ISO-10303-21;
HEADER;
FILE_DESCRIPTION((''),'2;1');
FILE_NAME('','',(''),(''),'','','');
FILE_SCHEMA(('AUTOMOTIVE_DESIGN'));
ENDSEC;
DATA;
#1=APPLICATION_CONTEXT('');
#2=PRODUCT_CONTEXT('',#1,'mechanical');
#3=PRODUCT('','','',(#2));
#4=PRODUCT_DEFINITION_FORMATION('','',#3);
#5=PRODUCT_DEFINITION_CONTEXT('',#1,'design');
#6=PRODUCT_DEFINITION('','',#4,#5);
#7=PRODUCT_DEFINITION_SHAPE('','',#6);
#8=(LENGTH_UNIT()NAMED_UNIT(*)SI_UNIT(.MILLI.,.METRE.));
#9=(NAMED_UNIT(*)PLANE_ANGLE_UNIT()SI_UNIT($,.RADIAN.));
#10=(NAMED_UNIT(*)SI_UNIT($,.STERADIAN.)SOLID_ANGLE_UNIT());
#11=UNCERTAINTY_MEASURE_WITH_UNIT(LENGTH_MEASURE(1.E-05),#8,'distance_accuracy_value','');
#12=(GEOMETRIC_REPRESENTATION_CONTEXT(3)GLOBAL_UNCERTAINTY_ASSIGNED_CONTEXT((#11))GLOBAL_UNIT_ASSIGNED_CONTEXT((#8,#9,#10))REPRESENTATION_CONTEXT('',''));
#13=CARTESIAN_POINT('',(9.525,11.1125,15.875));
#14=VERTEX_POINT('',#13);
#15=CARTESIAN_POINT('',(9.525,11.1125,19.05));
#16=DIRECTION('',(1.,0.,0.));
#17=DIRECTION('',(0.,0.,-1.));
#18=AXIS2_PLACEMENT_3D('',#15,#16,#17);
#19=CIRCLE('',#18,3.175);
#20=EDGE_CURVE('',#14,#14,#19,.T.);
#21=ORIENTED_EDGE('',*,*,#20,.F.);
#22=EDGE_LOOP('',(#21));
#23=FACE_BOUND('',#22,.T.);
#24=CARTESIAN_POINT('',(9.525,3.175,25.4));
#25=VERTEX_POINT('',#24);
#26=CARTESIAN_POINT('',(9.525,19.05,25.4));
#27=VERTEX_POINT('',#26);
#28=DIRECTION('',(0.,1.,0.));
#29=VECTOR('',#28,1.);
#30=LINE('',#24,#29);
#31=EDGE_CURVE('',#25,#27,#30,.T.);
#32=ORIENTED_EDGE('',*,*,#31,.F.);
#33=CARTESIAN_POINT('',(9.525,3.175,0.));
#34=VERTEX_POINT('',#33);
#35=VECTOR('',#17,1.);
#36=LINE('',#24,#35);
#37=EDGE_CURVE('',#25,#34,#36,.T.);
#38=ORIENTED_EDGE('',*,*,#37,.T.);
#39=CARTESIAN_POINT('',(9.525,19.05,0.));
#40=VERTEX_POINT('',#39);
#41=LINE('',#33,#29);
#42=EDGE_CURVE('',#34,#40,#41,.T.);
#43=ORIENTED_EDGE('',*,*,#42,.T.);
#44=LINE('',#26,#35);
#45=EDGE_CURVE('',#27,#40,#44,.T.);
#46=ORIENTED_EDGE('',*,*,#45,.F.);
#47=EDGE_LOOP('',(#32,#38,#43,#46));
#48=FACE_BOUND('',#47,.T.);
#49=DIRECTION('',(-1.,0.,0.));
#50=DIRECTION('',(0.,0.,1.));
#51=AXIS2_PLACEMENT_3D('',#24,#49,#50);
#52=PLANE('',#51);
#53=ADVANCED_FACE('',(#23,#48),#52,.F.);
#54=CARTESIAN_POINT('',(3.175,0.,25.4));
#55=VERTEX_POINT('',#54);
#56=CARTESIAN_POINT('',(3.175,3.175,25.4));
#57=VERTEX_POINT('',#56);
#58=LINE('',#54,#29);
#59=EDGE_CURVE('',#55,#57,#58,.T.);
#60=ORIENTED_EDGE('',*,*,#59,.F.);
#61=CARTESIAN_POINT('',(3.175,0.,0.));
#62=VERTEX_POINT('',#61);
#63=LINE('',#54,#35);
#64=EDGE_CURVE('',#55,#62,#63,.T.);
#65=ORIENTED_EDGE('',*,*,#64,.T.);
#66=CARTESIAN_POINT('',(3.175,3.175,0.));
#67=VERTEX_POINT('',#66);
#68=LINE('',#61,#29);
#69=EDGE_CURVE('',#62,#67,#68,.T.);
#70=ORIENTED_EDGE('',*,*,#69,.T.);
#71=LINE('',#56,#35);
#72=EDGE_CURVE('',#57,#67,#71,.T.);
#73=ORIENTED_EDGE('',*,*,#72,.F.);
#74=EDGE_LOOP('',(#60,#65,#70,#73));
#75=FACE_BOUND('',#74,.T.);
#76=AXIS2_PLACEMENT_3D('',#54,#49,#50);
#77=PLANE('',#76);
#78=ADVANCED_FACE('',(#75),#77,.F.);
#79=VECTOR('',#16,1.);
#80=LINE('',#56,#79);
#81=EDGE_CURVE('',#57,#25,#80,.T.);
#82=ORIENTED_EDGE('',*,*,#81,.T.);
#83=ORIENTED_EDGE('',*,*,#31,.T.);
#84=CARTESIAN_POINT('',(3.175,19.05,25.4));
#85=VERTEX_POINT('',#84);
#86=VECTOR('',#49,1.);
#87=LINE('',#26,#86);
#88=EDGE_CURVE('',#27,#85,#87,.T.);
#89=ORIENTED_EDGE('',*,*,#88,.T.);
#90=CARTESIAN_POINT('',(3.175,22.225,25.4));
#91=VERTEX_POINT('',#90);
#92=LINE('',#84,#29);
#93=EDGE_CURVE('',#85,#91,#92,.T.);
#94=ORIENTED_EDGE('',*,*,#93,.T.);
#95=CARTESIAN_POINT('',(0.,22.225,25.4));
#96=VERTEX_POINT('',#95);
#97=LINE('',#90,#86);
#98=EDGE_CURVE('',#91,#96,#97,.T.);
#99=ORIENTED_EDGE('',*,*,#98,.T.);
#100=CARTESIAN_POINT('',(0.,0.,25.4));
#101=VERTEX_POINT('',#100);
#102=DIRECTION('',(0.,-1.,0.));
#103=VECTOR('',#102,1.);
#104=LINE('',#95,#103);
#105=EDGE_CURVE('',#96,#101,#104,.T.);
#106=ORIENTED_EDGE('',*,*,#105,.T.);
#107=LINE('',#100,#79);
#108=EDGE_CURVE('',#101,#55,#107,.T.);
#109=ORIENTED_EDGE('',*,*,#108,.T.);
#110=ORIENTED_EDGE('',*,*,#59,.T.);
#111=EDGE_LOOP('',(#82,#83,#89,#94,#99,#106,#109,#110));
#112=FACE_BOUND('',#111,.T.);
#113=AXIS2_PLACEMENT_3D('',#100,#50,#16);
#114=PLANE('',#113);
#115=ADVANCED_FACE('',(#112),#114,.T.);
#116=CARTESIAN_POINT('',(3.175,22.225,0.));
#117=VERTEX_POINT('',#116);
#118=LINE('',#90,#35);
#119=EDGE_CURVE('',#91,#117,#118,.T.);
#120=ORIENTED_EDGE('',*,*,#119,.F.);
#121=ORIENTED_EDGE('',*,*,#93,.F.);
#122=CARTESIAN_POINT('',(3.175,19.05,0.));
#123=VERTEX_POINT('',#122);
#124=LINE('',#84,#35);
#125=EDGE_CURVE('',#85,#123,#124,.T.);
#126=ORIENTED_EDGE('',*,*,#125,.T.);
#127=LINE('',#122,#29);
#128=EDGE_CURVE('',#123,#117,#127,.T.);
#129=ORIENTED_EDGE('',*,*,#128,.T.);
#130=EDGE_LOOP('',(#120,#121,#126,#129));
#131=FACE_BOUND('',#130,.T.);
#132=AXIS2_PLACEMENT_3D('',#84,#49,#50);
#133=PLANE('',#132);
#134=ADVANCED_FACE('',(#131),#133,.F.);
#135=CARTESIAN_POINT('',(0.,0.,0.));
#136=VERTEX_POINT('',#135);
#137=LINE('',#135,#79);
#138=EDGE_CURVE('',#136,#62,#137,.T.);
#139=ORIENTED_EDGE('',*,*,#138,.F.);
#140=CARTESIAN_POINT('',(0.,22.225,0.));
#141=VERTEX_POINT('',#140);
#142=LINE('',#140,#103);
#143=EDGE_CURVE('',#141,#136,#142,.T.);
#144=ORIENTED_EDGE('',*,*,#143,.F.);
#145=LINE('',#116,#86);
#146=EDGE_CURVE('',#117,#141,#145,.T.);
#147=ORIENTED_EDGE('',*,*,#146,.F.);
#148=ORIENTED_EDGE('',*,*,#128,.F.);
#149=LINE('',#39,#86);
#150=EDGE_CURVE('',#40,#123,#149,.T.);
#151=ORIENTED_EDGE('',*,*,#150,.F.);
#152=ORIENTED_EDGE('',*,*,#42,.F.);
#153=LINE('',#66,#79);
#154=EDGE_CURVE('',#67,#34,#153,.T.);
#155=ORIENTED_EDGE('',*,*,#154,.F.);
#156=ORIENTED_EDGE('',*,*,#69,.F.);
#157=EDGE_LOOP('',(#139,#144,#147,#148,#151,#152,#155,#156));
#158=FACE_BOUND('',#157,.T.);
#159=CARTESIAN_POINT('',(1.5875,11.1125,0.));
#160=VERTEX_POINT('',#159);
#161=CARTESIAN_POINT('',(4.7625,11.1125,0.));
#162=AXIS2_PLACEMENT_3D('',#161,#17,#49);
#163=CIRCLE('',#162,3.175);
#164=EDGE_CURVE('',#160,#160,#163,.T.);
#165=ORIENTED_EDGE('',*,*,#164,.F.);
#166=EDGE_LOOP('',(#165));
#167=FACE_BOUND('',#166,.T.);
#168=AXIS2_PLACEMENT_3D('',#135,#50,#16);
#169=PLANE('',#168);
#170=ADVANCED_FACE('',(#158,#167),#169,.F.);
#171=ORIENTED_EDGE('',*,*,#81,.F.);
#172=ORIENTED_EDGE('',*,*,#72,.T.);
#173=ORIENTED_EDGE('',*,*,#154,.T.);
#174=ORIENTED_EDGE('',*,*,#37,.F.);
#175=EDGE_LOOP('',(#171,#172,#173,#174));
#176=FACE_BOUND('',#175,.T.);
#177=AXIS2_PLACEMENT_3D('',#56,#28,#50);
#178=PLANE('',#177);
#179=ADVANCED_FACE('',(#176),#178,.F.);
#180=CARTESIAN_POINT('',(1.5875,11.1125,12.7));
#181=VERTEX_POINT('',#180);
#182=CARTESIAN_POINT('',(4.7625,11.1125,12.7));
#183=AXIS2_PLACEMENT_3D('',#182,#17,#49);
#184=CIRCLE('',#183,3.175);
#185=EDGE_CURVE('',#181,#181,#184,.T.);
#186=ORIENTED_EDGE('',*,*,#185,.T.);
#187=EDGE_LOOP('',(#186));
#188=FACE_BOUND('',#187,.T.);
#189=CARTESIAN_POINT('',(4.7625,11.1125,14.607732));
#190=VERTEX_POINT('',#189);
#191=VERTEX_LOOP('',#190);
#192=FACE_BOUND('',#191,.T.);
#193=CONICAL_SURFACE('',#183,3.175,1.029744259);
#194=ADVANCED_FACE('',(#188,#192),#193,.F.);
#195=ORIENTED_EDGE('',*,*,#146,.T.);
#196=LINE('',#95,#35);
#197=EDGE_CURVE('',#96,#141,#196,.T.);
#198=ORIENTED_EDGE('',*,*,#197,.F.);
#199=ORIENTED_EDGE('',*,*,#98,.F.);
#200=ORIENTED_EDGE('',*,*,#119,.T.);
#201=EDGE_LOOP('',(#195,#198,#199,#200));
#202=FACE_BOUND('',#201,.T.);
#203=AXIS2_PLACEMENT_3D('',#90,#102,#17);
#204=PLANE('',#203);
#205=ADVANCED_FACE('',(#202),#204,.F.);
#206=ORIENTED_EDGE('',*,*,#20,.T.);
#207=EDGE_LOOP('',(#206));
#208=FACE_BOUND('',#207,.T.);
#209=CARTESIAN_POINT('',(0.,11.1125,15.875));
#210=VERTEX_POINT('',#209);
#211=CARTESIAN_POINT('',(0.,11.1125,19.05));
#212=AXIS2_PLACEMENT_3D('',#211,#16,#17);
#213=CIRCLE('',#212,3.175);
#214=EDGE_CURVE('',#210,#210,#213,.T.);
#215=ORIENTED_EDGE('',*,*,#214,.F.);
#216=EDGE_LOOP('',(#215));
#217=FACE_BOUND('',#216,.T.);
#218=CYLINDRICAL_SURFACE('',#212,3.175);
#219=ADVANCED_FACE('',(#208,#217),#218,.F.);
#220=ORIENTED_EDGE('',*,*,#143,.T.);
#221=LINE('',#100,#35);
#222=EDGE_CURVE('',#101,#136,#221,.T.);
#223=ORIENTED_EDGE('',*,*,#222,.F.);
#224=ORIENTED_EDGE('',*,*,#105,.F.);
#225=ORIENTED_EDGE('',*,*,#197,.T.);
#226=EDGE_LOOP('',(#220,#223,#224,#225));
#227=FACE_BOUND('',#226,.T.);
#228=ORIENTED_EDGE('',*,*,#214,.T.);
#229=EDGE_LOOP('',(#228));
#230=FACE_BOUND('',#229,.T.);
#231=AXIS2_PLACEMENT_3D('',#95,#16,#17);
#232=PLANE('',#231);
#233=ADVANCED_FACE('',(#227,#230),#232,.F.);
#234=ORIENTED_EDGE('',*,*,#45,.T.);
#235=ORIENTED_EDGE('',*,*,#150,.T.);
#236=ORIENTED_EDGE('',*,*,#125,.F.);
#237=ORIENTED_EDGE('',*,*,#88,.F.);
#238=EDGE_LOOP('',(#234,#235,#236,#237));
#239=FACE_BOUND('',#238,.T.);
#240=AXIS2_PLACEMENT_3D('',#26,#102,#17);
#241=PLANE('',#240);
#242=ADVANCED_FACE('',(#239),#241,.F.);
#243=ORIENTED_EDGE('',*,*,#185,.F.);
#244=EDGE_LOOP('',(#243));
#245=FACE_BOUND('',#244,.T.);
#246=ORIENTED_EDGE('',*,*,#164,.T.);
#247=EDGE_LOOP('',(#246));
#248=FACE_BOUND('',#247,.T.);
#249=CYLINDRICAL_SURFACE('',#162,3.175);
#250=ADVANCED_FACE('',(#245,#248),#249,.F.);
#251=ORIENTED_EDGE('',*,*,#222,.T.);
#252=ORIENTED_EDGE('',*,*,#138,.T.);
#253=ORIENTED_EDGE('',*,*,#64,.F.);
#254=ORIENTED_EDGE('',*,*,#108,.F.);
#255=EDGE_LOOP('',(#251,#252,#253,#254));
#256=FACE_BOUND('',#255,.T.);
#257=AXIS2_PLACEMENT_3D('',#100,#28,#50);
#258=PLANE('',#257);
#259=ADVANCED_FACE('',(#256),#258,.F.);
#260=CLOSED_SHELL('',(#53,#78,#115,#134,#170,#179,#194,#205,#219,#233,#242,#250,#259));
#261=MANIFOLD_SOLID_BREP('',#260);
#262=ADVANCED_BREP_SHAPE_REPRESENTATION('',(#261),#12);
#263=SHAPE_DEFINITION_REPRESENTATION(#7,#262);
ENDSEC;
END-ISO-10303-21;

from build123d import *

# Parameters (mm, degrees)
BOSS_EXTRUDE1_DEPTH             = 25.4
SKETCH3_R                       = 3.175
CUT_EXTRUDE1_DEPTH              = 36.06902123
F_1_4_0_25_DIAMETER_HOLE1_D     = 6.35
F_1_4_0_25_DIAMETER_HOLE1_DEPTH = 12.7
F_1_4_0_25_DIAMETER_HOLE1_TIP   = 1.907732465


with BuildPart() as part:
    # Sketch1 → Boss-Extrude1 (new body)
    with BuildSketch(Plane.XY):
        Polygon((0, 0), (3.175, 0), (3.175, 3.175), (9.525, 3.175), (9.525, 19.05), (3.175, 19.05), (3.175, 22.225), (0, 22.225), align=None)
    extrude(amount=BOSS_EXTRUDE1_DEPTH)

    # Sketch3 → Cut-Extrude1 (cut, through all)
    with BuildSketch(Plane(origin=(9.525, 0, 0), x_dir=(0, 0, -1), z_dir=(1, 0, 0))):
        with Locations((-19.05, 11.1125)):
            Circle(SKETCH3_R)
    extrude(amount=-CUT_EXTRUDE1_DEPTH, mode=Mode.SUBTRACT)

    # 1/4 (0.25) Diameter Hole1
    with Locations(Plane(origin=(0, 0, 0), x_dir=(-1, 0, 0), z_dir=(0, 0, -1))):
        with Locations((-4.7625, 11.1125)):
            Hole(F_1_4_0_25_DIAMETER_HOLE1_D / 2, depth=F_1_4_0_25_DIAMETER_HOLE1_DEPTH)
            with Locations((0, 0, -(F_1_4_0_25_DIAMETER_HOLE1_DEPTH + F_1_4_0_25_DIAMETER_HOLE1_TIP / 2))):  # 118° drill point
                Cone(0, F_1_4_0_25_DIAMETER_HOLE1_D / 2, F_1_4_0_25_DIAMETER_HOLE1_TIP, mode=Mode.SUBTRACT)


solid = part.part
